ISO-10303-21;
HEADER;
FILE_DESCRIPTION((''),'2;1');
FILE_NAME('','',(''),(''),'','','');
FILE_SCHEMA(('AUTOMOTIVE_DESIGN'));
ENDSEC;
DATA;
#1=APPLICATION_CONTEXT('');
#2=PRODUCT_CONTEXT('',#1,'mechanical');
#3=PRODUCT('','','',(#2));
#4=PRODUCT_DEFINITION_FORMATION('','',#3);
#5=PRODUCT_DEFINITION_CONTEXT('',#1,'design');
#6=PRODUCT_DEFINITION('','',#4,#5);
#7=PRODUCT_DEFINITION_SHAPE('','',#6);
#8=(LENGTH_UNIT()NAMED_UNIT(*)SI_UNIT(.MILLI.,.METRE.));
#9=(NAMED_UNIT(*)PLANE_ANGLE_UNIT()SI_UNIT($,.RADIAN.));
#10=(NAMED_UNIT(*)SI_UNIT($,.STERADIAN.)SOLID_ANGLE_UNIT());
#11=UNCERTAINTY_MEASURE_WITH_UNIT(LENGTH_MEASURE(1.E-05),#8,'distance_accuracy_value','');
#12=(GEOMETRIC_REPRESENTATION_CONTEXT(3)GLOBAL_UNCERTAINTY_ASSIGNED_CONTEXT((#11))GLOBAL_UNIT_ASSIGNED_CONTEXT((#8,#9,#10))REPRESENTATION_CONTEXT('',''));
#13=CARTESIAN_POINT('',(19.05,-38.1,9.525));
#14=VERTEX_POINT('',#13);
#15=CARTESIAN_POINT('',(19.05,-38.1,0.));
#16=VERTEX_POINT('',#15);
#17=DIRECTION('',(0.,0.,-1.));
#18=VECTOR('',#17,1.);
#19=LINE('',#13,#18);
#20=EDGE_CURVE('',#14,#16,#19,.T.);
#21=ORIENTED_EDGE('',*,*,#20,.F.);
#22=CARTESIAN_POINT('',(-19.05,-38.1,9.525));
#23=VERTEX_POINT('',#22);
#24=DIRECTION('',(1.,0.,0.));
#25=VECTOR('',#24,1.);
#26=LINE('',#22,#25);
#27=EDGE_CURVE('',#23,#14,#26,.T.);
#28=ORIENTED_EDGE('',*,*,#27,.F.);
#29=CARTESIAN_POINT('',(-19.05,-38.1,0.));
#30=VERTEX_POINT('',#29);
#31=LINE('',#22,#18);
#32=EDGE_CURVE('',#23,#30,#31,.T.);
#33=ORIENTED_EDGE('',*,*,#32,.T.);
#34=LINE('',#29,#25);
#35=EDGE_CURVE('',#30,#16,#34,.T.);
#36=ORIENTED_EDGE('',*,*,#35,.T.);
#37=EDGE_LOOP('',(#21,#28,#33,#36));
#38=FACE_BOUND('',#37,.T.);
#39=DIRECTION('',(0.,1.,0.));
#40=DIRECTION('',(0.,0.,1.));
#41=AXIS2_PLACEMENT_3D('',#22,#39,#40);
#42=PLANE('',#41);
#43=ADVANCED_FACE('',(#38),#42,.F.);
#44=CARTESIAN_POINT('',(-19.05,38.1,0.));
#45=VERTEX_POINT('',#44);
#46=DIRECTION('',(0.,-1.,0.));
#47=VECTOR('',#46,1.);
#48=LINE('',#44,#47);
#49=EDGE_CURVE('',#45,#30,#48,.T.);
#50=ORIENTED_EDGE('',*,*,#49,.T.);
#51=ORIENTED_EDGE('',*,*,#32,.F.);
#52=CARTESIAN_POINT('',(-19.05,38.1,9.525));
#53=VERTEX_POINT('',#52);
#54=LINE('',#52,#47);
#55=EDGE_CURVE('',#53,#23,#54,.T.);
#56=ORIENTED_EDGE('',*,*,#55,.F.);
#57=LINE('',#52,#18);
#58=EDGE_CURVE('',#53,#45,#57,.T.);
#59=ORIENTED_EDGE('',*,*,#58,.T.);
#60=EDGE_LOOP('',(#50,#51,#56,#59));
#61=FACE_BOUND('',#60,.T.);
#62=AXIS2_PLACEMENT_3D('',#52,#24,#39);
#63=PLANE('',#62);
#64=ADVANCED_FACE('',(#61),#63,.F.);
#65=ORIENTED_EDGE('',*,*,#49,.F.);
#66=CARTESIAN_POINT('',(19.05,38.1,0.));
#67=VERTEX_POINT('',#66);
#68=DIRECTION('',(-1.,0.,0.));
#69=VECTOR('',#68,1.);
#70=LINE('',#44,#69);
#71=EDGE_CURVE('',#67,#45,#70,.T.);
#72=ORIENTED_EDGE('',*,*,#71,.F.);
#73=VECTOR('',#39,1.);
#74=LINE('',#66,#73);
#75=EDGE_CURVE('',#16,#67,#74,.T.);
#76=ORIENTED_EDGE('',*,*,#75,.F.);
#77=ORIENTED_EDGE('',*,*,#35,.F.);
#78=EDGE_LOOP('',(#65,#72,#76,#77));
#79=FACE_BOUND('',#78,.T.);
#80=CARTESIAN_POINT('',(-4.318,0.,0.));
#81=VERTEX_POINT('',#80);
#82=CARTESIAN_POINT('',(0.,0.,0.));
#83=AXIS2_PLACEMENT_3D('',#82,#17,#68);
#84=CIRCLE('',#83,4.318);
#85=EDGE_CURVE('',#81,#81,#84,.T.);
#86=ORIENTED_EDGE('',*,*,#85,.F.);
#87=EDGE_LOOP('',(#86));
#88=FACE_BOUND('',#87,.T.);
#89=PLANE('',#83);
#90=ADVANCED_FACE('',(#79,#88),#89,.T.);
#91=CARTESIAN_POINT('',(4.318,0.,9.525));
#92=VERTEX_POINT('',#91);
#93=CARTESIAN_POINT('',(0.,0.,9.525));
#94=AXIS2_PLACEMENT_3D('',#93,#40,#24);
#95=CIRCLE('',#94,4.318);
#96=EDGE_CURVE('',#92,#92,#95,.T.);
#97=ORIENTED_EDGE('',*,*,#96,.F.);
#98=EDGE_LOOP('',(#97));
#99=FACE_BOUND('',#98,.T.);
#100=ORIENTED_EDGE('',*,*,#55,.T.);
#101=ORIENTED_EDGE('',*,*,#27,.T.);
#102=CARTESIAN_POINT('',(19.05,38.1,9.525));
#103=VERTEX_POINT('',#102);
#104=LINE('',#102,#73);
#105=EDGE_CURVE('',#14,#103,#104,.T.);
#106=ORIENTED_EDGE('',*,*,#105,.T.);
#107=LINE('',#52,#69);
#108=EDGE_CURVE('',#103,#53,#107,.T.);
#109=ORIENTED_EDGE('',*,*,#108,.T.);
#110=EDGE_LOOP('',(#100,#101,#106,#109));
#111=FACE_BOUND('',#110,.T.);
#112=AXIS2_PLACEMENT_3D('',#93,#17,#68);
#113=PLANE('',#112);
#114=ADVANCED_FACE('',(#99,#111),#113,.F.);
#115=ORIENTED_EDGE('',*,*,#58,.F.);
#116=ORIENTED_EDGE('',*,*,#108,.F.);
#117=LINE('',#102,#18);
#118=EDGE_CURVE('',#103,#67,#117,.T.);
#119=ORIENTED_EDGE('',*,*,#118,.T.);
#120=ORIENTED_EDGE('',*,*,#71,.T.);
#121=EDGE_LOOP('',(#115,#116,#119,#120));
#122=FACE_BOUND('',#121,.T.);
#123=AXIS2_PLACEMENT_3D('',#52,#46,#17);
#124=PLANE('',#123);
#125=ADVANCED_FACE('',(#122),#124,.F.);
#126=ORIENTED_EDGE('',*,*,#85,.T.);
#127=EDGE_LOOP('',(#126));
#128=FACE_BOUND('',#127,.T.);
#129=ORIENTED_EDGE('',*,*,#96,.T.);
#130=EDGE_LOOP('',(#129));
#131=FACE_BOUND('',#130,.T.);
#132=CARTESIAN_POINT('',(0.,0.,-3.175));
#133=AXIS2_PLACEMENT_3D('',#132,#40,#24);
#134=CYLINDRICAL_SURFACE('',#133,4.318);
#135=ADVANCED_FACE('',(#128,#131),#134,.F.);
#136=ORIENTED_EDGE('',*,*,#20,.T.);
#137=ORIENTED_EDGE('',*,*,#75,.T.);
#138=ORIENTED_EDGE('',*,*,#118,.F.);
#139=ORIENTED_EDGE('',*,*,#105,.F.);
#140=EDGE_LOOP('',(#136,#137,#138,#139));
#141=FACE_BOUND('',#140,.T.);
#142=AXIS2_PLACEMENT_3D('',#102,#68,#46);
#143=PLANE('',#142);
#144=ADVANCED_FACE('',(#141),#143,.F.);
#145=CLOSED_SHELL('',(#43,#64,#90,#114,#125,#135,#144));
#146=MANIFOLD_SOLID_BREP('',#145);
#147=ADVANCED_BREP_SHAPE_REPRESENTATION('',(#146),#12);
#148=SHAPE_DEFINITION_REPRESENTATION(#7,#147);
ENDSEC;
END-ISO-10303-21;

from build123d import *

# Parameters (mm, degrees)
SKETCH2_W           = 38.1
SKETCH2_H           = 76.2
BOSS_EXTRUDE1_DEPTH = 9.525
SKETCH3_OUTSIDE_W   = 57.246
SKETCH3_OUTSIDE_H   = 95.346
SKETCH3_OUTSIDE_W_2 = 38.1
SKETCH3_OUTSIDE_H_2 = 76.2
SKETCH3_OUTSIDE_R   = 4.318
CUT_EXTRUDE2_DEPTH  = 12.7


with BuildPart() as part:
    # Sketch2 → Boss-Extrude1 (new body)
    with BuildSketch(Plane.XY):
        Rectangle(SKETCH2_W, SKETCH2_H)
    extrude(amount=BOSS_EXTRUDE1_DEPTH)

    # Sketch3 outside → Cut-Extrude2 (cut)
    # profile 1 of 2: a face of its own
    with BuildSketch(Plane.XY.offset(9.525)):
        Rectangle(SKETCH3_OUTSIDE_W, SKETCH3_OUTSIDE_H)
        Rectangle(SKETCH3_OUTSIDE_W_2, SKETCH3_OUTSIDE_H_2, mode=Mode.SUBTRACT)
    # profile 2 of 2: a face of its own
    with BuildSketch(Plane.XY.offset(9.525)):
        Circle(SKETCH3_OUTSIDE_R)
    extrude(amount=-CUT_EXTRUDE2_DEPTH, mode=Mode.SUBTRACT)


solid = part.part
